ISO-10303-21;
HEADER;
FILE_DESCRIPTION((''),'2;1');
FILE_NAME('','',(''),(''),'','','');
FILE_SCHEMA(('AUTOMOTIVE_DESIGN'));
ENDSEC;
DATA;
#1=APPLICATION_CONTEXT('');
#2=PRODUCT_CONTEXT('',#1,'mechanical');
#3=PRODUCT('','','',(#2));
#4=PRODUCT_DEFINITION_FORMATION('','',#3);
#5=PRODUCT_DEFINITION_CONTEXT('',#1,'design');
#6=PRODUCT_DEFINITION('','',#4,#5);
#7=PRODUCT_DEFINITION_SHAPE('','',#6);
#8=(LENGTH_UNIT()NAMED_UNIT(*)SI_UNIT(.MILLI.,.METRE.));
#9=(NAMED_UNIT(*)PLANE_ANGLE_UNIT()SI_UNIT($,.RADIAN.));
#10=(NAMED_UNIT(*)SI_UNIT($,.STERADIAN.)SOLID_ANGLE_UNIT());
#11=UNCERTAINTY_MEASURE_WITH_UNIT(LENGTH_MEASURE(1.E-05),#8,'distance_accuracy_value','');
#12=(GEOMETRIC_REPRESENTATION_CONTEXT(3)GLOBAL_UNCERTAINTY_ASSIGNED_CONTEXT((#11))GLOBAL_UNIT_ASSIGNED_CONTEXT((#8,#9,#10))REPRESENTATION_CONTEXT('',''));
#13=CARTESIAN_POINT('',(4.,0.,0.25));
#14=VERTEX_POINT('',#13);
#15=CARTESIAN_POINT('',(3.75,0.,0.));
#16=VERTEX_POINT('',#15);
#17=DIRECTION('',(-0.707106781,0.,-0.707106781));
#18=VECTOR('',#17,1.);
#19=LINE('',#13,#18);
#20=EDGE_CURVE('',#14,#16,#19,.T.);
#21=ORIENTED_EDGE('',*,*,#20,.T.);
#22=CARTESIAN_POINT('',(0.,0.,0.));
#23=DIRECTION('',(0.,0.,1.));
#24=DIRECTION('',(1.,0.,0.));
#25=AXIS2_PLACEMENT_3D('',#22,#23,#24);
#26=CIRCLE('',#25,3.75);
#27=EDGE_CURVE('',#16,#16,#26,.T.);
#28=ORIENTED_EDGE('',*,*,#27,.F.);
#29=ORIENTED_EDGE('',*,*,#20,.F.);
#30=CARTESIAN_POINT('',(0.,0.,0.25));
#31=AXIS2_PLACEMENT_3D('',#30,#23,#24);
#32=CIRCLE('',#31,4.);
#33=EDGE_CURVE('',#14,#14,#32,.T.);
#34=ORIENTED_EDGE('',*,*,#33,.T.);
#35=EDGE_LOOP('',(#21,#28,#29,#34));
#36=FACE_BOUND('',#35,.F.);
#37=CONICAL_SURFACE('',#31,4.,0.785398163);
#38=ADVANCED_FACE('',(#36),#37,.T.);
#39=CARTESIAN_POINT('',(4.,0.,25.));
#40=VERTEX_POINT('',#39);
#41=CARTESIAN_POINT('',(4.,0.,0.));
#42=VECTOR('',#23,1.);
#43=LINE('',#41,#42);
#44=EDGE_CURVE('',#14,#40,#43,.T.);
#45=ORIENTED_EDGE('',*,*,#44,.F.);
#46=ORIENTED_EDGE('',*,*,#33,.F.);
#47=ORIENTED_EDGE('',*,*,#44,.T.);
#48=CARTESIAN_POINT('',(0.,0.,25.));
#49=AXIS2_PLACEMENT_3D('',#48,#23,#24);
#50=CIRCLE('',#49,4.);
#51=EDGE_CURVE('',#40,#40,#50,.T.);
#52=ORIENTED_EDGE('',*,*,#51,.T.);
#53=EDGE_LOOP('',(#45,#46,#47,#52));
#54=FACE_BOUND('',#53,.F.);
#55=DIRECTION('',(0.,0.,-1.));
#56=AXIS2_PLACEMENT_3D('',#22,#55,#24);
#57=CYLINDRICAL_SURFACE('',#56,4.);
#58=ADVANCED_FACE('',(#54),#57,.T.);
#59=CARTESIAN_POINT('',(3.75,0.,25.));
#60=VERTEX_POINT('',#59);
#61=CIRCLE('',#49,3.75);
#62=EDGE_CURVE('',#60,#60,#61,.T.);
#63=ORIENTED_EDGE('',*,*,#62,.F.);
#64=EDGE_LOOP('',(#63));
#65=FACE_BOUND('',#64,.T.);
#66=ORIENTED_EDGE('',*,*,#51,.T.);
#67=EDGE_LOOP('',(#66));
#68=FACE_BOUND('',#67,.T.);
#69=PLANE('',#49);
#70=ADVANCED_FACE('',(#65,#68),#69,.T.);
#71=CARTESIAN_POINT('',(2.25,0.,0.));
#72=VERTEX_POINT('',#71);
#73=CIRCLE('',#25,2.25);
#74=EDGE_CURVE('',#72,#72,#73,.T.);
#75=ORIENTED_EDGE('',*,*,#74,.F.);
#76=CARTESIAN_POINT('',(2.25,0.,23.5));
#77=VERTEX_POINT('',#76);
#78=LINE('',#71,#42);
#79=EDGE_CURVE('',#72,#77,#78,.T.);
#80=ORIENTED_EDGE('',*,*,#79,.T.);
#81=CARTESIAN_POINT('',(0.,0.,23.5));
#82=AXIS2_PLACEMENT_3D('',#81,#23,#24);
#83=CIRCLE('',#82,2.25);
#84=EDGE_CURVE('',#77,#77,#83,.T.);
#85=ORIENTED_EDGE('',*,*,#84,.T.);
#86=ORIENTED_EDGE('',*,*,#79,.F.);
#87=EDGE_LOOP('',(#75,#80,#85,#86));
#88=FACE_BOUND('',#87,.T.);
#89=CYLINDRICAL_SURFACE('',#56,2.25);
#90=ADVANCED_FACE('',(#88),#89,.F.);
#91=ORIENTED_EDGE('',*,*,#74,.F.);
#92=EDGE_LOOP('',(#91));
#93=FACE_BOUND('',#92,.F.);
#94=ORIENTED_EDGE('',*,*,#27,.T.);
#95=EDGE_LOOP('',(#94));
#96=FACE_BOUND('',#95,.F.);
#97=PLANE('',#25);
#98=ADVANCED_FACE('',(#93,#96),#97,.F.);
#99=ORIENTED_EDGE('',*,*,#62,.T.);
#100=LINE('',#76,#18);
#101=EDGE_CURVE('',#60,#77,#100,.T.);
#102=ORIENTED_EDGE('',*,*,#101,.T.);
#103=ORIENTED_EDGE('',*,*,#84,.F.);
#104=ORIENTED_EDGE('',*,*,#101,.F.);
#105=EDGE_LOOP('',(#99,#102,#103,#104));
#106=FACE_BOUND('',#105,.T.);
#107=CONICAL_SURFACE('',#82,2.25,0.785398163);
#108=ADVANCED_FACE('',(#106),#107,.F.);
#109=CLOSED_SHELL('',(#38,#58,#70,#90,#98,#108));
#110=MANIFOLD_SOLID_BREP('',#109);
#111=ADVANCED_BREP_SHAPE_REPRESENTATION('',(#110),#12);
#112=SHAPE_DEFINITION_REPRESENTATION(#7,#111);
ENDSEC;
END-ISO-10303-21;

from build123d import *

# Parameters (mm, degrees)
SKETCH_R        = 4
SKETCH_R_2      = 2.25
PAD_DEPTH       = 25
CHAMFER_SIZE    = 0.25
CHAMFER001_SIZE = 1.5


with BuildPart() as part:
    # Sketch → Pad (new body)
    with BuildSketch(Plane.XY):
        Circle(SKETCH_R)
        Circle(SKETCH_R_2, mode=Mode.SUBTRACT)
    extrude(amount=PAD_DEPTH)

    # Chamfer
    chamfer_edges = [part.edges().sort_by_distance(p)[0] for p in [
        (-4, 0, 0),
    ]]
    chamfer(chamfer_edges, length=CHAMFER_SIZE)

    # Chamfer001
    chamfer001_edges = [part.edges().sort_by_distance(p)[0] for p in [
        (-2.25, 0, 25),
    ]]
    chamfer(chamfer001_edges, length=CHAMFER001_SIZE)


solid = part.part
